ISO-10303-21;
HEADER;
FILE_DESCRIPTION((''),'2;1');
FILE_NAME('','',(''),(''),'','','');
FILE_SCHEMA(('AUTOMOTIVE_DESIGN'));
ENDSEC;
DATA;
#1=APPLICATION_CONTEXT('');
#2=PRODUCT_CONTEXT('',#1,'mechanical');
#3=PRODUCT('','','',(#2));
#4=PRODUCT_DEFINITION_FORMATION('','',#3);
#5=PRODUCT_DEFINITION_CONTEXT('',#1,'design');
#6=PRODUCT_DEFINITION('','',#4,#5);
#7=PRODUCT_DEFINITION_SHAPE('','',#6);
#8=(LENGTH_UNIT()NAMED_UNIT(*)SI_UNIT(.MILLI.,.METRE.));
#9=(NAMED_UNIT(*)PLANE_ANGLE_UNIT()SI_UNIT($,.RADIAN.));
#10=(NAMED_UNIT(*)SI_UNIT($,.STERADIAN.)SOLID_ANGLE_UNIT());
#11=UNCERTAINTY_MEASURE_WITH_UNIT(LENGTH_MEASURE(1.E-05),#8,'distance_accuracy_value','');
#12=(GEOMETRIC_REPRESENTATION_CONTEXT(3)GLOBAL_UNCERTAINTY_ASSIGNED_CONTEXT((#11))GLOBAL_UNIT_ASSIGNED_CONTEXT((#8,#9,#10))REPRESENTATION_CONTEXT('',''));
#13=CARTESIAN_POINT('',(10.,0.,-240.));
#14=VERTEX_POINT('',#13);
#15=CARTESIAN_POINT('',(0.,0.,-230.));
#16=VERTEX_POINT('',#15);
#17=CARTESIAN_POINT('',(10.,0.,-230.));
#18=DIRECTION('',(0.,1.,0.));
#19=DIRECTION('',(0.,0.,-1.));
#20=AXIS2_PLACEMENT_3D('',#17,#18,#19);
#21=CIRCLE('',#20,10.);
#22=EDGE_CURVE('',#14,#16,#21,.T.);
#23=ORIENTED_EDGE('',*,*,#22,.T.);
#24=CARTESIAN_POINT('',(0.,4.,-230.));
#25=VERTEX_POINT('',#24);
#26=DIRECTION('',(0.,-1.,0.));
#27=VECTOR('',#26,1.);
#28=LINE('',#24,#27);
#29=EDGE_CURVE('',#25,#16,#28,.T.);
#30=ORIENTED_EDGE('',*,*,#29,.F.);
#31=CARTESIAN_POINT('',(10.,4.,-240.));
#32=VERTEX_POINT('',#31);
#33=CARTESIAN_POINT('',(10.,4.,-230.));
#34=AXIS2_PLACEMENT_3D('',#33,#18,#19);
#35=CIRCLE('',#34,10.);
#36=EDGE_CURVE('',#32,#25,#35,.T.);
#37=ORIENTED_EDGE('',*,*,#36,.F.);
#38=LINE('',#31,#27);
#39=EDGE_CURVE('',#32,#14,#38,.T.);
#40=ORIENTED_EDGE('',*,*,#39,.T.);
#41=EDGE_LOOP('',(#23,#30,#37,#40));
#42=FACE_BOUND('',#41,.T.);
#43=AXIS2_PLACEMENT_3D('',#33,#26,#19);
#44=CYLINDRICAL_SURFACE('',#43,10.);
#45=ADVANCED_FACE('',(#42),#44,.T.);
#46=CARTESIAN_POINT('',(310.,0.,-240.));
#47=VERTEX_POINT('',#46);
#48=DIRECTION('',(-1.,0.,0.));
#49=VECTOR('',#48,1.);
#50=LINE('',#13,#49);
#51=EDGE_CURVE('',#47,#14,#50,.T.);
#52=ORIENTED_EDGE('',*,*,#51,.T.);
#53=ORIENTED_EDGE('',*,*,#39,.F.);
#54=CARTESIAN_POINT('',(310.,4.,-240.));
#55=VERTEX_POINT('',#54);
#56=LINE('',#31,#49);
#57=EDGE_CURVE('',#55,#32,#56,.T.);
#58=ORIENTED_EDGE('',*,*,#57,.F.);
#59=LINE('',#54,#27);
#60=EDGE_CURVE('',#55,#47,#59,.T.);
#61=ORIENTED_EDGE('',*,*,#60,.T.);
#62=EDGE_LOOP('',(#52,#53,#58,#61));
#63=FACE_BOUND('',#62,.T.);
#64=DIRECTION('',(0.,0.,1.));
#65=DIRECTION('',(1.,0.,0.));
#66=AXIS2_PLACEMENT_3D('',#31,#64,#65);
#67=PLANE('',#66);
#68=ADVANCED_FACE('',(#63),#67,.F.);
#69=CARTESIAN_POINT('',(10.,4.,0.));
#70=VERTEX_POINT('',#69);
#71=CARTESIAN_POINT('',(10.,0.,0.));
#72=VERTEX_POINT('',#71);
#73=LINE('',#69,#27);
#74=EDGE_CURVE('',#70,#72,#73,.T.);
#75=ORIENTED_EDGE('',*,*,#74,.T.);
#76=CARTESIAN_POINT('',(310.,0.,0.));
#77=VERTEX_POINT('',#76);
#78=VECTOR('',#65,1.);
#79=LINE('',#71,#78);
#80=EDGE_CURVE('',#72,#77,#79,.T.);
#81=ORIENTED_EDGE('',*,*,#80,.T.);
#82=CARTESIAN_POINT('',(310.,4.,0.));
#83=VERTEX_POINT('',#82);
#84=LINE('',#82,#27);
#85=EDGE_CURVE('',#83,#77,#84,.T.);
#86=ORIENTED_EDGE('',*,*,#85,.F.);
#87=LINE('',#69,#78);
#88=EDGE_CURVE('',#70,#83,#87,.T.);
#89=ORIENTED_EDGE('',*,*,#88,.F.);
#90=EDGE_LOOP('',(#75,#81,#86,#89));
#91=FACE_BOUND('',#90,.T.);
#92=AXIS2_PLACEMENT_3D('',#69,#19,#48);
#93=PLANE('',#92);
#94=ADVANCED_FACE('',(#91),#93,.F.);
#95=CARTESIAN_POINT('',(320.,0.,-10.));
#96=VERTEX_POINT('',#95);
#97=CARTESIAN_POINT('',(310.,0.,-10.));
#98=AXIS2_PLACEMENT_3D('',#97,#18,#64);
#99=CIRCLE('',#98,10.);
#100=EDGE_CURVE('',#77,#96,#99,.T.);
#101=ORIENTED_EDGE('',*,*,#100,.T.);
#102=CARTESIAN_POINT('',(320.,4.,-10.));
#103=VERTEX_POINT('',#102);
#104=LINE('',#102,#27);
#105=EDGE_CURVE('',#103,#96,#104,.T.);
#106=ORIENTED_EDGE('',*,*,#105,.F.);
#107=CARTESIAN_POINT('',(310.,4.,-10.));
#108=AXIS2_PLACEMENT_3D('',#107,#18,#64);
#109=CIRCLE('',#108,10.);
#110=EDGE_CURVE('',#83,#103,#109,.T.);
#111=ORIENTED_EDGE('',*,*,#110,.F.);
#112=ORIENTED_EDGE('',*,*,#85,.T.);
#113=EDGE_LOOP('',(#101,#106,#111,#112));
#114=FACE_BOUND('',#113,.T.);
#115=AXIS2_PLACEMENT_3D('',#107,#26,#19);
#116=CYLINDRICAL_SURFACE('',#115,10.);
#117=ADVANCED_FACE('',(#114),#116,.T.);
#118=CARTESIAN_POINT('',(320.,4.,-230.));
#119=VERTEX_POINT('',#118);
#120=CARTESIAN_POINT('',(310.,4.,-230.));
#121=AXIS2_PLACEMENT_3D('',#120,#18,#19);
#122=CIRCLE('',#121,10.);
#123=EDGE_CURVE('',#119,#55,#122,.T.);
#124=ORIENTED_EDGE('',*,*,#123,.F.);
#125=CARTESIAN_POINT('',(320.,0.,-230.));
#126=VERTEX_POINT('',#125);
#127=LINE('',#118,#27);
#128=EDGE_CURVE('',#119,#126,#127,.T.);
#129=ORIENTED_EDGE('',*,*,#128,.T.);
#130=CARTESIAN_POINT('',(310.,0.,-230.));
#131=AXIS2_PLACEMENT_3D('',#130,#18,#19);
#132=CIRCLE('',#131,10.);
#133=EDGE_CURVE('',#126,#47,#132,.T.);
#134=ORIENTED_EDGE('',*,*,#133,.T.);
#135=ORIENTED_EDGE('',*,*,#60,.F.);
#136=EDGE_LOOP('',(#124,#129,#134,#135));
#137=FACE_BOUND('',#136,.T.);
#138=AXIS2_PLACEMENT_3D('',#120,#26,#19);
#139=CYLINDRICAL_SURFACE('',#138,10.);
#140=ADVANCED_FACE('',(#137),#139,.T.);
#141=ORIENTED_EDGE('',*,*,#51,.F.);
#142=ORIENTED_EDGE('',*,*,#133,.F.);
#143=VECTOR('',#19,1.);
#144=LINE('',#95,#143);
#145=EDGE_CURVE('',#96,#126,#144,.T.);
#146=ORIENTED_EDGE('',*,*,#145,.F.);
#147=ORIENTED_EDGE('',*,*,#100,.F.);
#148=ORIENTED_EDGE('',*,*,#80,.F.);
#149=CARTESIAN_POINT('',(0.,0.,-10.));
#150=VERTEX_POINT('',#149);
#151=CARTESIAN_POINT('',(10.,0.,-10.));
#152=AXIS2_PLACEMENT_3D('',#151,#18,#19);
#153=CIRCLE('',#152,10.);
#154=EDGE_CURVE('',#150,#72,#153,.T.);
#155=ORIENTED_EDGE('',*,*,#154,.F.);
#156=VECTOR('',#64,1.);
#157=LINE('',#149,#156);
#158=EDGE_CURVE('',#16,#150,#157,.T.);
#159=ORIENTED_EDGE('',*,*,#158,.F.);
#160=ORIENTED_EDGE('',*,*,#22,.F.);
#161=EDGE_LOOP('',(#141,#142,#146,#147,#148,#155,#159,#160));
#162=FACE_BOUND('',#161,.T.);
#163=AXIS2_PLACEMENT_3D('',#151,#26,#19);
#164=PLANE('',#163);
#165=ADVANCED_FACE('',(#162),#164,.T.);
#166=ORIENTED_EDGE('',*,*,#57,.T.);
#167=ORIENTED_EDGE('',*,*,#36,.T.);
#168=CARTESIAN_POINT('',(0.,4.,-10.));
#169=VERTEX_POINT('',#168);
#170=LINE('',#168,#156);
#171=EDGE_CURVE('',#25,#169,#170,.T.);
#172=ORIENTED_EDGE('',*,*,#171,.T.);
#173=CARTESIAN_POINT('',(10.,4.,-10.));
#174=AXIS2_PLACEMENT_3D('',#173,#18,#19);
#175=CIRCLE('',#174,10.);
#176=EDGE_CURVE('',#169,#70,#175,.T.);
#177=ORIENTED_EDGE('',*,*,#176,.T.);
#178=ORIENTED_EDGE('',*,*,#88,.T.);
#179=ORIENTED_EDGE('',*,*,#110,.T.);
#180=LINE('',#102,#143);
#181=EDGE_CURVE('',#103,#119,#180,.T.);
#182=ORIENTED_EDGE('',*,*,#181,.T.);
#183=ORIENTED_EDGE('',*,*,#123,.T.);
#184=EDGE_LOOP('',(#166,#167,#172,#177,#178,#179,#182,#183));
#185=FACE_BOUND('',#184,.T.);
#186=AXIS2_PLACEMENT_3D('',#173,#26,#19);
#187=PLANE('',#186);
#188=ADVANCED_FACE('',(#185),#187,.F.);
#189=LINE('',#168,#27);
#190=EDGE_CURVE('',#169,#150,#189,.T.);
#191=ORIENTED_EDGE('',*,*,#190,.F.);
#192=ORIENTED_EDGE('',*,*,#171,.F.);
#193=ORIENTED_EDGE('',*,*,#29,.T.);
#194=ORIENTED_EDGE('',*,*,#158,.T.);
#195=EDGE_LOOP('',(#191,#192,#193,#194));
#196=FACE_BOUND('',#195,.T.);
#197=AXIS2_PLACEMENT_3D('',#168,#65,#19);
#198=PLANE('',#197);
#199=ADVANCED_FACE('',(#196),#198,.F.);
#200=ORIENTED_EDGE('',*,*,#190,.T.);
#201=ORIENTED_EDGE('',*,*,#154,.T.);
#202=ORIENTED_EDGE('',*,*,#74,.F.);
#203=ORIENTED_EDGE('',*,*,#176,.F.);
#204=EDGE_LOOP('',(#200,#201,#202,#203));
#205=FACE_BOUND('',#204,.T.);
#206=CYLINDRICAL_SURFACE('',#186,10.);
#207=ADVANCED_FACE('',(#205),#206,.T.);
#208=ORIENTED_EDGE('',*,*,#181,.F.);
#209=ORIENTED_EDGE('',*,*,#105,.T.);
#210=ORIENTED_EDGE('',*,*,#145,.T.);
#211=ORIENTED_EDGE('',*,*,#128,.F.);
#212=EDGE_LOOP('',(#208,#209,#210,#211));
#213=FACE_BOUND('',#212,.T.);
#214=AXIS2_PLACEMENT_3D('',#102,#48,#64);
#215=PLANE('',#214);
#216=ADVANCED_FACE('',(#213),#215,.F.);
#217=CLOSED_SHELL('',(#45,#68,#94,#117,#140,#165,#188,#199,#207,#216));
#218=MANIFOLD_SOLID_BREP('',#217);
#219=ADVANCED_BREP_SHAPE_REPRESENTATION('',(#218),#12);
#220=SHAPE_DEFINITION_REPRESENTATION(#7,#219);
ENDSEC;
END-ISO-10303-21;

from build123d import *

# Parameters (mm, degrees)
BOSS_EXTRUDE1_DEPTH = 4


with BuildPart() as part:
    # Sketch2 → Boss-Extrude1 (new body)
    with BuildSketch(Plane(origin=(0, 0, 0), x_dir=(1, 0, 0), z_dir=(0, 1, 0))):
        with BuildLine():
            Line((10, 0), (310, 0))
            ThreePointArc((310, 0), (317.071067812, 2.928932188), (320, 10))
            Line((320, 10), (320, 230))
            ThreePointArc((320, 230), (317.071067812, 237.071067812), (310, 240))
            Line((310, 240), (10, 240))
            ThreePointArc((10, 240), (2.928932188, 237.071067812), (0, 230))
            Line((0, 230), (0, 10))
            ThreePointArc((0, 10), (2.928932188, 2.928932188), (10, 0))
        make_face()
    extrude(amount=BOSS_EXTRUDE1_DEPTH)


solid = part.part
